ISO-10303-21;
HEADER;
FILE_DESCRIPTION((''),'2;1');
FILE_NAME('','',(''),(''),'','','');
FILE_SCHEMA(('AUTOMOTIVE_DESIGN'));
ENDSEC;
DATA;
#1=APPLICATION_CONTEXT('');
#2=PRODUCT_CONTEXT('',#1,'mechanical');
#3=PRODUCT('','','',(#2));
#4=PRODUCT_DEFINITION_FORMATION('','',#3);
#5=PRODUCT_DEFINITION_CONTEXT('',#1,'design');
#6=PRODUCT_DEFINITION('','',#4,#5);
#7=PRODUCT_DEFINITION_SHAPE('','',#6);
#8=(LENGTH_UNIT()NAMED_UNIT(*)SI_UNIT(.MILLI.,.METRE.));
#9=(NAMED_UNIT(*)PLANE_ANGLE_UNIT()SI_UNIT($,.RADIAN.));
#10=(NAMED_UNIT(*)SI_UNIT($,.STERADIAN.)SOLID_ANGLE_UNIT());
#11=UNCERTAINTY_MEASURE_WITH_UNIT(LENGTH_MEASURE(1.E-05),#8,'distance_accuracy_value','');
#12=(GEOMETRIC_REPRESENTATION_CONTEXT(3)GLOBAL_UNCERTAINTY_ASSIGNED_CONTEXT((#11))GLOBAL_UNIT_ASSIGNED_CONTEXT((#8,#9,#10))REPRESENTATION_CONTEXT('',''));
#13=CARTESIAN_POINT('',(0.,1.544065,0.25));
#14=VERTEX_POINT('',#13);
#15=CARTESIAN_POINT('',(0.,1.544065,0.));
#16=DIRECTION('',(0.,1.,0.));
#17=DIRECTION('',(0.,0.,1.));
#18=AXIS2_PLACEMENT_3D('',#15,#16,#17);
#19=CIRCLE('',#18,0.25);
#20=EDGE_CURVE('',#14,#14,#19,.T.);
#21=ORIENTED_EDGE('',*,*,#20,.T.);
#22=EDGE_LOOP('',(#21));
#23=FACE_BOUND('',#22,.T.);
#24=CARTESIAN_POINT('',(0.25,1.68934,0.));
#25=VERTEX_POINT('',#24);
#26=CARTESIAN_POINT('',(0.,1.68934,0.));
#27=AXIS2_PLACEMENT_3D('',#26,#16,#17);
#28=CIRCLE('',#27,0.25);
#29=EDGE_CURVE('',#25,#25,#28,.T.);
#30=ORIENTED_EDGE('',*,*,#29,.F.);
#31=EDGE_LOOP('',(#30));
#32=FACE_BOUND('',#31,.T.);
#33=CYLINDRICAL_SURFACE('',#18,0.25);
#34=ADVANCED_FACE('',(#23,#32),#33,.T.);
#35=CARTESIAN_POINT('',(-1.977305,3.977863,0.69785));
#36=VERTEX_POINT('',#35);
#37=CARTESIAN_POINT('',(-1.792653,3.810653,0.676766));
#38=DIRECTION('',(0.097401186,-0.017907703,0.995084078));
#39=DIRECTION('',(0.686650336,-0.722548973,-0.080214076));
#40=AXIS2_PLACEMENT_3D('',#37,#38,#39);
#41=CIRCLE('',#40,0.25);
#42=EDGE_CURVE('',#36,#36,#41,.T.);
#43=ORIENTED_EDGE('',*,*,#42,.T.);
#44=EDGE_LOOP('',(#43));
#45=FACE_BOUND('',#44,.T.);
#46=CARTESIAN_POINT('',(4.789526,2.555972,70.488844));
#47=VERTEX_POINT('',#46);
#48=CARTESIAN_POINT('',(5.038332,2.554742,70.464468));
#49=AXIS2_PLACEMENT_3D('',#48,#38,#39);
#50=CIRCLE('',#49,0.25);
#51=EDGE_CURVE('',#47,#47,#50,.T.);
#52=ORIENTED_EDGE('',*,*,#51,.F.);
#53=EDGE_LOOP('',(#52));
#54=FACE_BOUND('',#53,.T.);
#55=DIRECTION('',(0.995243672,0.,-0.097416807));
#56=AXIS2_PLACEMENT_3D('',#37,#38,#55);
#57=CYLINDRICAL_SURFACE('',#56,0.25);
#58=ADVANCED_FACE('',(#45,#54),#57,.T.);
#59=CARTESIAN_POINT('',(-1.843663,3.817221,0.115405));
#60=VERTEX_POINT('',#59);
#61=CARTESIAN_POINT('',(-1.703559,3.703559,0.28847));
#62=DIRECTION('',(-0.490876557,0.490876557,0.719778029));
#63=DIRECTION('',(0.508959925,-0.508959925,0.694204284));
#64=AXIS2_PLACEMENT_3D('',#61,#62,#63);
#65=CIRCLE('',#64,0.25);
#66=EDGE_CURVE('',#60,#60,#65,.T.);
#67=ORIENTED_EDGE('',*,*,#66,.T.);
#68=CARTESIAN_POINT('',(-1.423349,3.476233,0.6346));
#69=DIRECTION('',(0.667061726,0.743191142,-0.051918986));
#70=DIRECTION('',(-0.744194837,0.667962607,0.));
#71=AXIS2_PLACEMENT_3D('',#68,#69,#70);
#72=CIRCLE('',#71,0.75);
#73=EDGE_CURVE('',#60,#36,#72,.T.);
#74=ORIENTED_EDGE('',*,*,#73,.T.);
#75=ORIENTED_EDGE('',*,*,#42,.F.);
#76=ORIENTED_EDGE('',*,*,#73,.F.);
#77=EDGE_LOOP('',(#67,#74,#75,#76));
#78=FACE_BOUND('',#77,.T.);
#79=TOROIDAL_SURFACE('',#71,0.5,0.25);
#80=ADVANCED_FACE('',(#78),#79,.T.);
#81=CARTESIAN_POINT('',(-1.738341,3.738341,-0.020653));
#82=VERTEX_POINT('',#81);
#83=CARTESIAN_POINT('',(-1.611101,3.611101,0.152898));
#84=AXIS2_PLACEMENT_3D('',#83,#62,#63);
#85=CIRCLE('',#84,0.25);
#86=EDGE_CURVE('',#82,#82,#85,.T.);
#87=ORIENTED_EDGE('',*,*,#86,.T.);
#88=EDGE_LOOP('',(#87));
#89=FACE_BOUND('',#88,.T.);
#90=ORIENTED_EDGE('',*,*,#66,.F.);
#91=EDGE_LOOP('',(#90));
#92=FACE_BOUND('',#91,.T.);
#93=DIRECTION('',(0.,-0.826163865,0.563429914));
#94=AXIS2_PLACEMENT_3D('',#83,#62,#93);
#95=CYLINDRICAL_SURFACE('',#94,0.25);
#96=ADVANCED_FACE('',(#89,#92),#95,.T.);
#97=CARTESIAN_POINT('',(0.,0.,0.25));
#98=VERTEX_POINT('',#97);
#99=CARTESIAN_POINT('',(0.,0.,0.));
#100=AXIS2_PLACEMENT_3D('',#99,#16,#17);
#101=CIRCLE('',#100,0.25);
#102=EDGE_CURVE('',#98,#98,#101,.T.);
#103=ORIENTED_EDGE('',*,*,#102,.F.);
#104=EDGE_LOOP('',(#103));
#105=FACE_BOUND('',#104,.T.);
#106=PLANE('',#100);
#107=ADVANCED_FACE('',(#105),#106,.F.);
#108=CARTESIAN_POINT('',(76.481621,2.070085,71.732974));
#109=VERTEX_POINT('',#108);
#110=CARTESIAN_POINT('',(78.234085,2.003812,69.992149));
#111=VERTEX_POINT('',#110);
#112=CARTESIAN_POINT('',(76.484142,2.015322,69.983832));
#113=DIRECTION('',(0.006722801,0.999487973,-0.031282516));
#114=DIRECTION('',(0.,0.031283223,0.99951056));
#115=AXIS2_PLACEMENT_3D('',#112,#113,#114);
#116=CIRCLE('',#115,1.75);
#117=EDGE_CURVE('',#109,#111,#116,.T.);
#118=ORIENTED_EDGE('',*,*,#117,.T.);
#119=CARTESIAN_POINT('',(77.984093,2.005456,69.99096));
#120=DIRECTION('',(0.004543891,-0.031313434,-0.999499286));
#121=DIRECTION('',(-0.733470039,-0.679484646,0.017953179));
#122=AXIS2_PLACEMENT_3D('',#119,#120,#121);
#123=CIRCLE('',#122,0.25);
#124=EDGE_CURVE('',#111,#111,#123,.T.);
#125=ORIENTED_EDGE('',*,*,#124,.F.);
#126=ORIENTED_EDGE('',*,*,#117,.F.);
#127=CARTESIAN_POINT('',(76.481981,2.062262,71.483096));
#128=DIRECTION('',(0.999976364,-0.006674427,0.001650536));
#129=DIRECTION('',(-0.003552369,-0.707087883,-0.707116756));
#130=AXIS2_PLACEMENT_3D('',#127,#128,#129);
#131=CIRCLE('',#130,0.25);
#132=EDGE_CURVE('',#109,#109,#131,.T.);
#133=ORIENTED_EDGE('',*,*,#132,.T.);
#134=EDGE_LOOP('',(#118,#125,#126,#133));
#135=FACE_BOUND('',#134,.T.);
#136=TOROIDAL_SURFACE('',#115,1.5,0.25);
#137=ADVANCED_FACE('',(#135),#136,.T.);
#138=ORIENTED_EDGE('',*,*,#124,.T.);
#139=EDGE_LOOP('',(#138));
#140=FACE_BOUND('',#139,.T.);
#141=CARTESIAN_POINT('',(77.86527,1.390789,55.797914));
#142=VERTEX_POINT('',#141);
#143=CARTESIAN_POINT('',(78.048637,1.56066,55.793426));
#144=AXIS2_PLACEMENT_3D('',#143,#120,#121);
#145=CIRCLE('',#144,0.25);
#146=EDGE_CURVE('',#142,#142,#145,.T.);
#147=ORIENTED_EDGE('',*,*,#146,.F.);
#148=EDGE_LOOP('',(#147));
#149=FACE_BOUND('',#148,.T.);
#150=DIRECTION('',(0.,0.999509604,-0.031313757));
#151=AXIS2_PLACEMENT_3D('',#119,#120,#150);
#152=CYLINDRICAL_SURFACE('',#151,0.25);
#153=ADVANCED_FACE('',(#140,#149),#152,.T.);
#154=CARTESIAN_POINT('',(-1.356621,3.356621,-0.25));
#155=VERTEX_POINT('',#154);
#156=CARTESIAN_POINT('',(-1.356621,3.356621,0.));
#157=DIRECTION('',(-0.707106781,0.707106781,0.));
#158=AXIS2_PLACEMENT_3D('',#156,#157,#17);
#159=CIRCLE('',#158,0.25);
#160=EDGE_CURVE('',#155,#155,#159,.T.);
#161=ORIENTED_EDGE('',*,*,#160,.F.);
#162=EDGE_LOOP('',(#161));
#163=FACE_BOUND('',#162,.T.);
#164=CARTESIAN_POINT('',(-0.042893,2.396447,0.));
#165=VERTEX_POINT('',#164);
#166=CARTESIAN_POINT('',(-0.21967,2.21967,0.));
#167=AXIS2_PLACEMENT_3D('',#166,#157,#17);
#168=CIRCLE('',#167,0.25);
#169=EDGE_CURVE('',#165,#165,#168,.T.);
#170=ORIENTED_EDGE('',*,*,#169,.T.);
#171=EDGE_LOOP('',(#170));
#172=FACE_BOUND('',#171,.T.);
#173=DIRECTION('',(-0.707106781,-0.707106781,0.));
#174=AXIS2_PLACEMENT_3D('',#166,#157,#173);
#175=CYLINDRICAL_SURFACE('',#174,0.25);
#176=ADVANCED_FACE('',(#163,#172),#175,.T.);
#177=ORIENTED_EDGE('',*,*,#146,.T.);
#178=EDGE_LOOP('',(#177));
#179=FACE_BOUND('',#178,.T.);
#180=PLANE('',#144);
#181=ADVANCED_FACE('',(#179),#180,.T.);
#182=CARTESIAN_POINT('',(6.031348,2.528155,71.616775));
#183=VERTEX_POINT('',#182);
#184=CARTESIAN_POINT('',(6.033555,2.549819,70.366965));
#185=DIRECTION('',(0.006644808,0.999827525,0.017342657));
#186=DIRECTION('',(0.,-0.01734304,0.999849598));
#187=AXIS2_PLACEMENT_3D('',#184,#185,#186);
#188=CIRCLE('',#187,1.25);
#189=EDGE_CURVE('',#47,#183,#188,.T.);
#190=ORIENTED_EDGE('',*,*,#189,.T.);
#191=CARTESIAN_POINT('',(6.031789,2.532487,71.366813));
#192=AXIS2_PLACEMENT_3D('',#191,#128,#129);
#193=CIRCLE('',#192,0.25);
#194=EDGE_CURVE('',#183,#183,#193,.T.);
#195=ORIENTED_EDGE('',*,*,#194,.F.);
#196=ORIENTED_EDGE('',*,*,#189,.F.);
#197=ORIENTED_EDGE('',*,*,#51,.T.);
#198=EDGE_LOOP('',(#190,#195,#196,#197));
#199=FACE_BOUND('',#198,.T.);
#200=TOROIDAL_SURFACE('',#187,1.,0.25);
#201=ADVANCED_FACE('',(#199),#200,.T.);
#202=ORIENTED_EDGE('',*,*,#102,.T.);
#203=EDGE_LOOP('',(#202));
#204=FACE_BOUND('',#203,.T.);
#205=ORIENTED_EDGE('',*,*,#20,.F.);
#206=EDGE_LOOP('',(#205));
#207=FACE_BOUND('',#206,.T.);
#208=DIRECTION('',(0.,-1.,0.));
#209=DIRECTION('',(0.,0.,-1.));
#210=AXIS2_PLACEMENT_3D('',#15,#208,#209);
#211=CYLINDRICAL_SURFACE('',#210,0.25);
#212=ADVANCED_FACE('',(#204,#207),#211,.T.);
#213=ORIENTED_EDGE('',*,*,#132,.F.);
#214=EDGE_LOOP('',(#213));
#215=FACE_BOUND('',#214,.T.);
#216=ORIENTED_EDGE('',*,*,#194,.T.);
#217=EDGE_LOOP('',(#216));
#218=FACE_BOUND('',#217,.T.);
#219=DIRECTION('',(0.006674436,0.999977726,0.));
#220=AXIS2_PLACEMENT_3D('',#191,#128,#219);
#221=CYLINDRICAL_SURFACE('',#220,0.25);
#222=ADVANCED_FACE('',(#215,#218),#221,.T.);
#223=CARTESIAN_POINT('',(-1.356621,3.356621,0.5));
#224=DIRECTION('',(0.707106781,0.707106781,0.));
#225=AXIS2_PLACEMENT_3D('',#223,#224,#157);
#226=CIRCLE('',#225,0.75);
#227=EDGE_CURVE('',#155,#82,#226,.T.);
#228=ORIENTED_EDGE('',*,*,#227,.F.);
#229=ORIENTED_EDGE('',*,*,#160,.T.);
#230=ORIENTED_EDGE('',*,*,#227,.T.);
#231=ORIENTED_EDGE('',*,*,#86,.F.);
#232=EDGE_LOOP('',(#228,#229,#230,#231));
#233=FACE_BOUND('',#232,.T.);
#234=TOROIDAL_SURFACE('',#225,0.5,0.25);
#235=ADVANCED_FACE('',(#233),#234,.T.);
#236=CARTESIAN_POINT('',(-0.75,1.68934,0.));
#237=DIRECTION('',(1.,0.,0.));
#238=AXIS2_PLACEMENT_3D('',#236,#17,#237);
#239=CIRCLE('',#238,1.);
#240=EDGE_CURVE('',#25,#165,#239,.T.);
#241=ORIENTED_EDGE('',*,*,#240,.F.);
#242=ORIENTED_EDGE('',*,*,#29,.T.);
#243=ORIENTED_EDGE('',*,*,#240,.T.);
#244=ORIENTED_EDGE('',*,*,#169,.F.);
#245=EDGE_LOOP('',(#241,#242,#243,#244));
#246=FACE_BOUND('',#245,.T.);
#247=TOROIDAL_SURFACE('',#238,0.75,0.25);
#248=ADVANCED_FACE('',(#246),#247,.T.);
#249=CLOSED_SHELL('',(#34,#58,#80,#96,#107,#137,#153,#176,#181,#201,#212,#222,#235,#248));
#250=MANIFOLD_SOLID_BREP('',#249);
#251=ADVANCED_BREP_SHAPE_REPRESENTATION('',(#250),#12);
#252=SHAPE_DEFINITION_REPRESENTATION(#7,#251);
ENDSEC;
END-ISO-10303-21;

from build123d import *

# Parameters (mm, degrees)
SKETCH4_R = 0.25


with BuildPart() as part:
    # Sweep3: sweep along a curve in space
    with BuildLine() as sweep3_path:
        Line((0, 0, 0), (0, 1.544064667, 0))
        Line((0, 1.544064667, 0), (0, 1.689339828, 0))
        ThreePointArc((0, 1.689339828, 0), (-0.057090351, 1.976352402, 0), (-0.219669914, 2.219669914, 0))
        Line((-0.219669914, 2.219669914, 0), (-1.356620962, 3.356620962, 0))
        ThreePointArc((-1.356620962, 3.356620962, 0), (-1.494867959, 3.494867959, 0.03980924), (-1.611100924, 3.611100924, 0.152897858))
        Line((-1.611100924, 3.611100924, 0.152897858), (-1.703558649, 3.703558649, 0.2884697))
        ThreePointArc((-1.703558649, 3.703558649, 0.2884697), (-1.779855049, 3.784564692, 0.467759908), (-1.792653376, 3.810653106, 0.676766357))
        Line((-1.792653376, 3.810653106, 0.676766357), (5.038332118, 2.554741698, 70.464468026))
        ThreePointArc((5.038332118, 2.554741698, 70.464468026), (5.361128734, 2.541449861, 71.107081324), (6.031789132, 2.53248747, 71.366812889))
        Line((6.031789132, 2.53248747, 71.366812889), (76.481980897, 2.0622617, 71.483096204))
        ThreePointArc((76.481980897, 2.0622617, 71.483096204), (77.54159978, 2.041496645, 71.047363506), (77.984092861, 2.005456454, 69.990960492))
        Line((77.984092861, 2.005456454, 69.990960492), (78.048637233, 1.560660172, 55.793425553))
    # Sketch4 → Sweep3 (sweep)
    with BuildSketch(Plane(origin=(0, 0, 0), x_dir=(-1, 0, 0), z_dir=(0, 1, 0))):
        Circle(SKETCH4_R)
    sweep(path=sweep3_path.line)


solid = part.part
